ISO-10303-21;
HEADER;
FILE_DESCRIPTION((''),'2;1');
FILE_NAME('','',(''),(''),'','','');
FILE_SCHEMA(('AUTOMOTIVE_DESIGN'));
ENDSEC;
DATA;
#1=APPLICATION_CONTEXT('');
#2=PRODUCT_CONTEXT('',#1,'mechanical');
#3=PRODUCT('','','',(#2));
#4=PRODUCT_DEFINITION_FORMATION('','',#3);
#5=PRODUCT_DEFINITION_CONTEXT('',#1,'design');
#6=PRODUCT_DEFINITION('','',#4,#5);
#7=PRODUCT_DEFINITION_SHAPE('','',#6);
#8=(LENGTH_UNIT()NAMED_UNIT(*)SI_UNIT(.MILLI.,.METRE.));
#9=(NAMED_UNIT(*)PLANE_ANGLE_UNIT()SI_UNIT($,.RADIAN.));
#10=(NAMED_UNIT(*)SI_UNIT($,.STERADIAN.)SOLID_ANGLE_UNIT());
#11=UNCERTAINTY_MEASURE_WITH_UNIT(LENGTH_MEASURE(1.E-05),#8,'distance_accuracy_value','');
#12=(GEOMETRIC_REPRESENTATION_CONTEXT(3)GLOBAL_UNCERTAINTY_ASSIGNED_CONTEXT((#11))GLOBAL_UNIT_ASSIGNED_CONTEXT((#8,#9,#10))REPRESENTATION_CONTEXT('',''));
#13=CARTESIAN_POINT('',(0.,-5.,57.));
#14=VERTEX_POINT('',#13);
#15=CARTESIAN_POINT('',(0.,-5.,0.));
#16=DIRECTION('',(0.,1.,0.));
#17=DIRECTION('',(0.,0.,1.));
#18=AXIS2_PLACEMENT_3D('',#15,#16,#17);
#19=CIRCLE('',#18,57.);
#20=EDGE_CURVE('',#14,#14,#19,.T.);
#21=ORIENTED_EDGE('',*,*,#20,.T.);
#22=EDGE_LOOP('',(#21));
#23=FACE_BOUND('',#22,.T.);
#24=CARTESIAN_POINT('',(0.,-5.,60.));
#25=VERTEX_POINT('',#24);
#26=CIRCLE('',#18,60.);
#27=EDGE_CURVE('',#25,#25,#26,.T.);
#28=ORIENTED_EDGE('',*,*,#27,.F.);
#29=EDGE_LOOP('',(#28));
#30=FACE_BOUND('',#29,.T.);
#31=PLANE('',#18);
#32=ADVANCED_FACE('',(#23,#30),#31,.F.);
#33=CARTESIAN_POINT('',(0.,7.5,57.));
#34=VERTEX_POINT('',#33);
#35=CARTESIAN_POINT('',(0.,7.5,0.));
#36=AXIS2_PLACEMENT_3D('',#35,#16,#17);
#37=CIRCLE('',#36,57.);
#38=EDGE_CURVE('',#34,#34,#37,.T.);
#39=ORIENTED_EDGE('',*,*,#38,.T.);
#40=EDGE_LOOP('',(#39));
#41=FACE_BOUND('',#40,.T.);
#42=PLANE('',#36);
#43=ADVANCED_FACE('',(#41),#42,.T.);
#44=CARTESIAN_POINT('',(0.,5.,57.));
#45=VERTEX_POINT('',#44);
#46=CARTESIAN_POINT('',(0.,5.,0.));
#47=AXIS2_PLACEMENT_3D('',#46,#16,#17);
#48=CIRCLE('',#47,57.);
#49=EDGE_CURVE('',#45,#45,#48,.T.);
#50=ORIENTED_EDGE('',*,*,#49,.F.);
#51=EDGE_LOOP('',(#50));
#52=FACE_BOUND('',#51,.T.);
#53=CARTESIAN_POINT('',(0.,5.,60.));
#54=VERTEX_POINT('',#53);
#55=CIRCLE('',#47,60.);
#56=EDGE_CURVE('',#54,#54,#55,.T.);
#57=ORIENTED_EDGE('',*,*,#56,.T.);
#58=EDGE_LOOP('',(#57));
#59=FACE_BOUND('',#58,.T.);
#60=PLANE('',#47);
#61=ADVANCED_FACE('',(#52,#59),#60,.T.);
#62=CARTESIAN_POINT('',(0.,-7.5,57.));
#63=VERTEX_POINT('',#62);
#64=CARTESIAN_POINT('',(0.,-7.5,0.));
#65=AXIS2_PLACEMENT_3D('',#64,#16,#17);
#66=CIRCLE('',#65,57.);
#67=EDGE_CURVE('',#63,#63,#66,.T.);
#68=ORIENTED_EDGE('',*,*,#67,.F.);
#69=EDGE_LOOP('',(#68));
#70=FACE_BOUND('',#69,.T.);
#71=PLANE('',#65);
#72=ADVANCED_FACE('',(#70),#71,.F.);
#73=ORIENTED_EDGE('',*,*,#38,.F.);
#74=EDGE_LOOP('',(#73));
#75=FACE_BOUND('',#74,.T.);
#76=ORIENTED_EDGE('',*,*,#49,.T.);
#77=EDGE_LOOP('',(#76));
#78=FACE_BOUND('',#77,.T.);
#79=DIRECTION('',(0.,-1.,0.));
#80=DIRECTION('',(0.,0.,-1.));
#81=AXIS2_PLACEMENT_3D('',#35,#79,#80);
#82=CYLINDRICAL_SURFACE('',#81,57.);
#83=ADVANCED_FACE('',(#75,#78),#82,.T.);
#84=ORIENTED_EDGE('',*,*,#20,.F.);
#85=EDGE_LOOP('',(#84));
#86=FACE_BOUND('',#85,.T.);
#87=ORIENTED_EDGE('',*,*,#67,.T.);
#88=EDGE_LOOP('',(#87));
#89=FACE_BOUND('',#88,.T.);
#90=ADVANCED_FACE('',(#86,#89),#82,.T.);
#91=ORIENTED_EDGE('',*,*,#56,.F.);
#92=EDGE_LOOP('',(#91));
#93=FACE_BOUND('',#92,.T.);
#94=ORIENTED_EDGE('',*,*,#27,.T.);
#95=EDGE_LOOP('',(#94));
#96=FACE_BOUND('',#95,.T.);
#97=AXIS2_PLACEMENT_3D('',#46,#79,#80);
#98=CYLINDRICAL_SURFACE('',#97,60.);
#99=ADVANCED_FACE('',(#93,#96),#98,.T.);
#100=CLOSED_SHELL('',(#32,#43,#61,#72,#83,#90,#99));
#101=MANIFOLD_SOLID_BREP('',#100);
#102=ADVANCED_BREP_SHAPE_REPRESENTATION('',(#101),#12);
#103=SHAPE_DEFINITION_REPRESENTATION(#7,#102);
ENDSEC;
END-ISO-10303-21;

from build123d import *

# Parameters (mm, degrees)
SKETCH1_R      = 57
EXTRUDE4_DEPTH = 7.5
SKETCH_R       = 60
SKETCH_R_2     = 57
EXTRUDE5_DEPTH = 5


with BuildPart() as part:
    # Sketch1 → Extrude4 (new, symmetric)
    with BuildSketch(Plane(origin=(0, 0, 0), x_dir=(1, 0, 0), z_dir=(0, 1, 0))):
        Circle(SKETCH1_R)
    extrude(amount=EXTRUDE4_DEPTH, both=True)

    # Sketch → Extrude5 (add, symmetric)
    with BuildSketch(Plane(origin=(0, 0, 0), x_dir=(1, 0, 0), z_dir=(0, 1, 0))):
        Circle(SKETCH_R)
        Circle(SKETCH_R_2, mode=Mode.SUBTRACT)
    extrude(amount=EXTRUDE5_DEPTH, both=True)


solid = part.part
